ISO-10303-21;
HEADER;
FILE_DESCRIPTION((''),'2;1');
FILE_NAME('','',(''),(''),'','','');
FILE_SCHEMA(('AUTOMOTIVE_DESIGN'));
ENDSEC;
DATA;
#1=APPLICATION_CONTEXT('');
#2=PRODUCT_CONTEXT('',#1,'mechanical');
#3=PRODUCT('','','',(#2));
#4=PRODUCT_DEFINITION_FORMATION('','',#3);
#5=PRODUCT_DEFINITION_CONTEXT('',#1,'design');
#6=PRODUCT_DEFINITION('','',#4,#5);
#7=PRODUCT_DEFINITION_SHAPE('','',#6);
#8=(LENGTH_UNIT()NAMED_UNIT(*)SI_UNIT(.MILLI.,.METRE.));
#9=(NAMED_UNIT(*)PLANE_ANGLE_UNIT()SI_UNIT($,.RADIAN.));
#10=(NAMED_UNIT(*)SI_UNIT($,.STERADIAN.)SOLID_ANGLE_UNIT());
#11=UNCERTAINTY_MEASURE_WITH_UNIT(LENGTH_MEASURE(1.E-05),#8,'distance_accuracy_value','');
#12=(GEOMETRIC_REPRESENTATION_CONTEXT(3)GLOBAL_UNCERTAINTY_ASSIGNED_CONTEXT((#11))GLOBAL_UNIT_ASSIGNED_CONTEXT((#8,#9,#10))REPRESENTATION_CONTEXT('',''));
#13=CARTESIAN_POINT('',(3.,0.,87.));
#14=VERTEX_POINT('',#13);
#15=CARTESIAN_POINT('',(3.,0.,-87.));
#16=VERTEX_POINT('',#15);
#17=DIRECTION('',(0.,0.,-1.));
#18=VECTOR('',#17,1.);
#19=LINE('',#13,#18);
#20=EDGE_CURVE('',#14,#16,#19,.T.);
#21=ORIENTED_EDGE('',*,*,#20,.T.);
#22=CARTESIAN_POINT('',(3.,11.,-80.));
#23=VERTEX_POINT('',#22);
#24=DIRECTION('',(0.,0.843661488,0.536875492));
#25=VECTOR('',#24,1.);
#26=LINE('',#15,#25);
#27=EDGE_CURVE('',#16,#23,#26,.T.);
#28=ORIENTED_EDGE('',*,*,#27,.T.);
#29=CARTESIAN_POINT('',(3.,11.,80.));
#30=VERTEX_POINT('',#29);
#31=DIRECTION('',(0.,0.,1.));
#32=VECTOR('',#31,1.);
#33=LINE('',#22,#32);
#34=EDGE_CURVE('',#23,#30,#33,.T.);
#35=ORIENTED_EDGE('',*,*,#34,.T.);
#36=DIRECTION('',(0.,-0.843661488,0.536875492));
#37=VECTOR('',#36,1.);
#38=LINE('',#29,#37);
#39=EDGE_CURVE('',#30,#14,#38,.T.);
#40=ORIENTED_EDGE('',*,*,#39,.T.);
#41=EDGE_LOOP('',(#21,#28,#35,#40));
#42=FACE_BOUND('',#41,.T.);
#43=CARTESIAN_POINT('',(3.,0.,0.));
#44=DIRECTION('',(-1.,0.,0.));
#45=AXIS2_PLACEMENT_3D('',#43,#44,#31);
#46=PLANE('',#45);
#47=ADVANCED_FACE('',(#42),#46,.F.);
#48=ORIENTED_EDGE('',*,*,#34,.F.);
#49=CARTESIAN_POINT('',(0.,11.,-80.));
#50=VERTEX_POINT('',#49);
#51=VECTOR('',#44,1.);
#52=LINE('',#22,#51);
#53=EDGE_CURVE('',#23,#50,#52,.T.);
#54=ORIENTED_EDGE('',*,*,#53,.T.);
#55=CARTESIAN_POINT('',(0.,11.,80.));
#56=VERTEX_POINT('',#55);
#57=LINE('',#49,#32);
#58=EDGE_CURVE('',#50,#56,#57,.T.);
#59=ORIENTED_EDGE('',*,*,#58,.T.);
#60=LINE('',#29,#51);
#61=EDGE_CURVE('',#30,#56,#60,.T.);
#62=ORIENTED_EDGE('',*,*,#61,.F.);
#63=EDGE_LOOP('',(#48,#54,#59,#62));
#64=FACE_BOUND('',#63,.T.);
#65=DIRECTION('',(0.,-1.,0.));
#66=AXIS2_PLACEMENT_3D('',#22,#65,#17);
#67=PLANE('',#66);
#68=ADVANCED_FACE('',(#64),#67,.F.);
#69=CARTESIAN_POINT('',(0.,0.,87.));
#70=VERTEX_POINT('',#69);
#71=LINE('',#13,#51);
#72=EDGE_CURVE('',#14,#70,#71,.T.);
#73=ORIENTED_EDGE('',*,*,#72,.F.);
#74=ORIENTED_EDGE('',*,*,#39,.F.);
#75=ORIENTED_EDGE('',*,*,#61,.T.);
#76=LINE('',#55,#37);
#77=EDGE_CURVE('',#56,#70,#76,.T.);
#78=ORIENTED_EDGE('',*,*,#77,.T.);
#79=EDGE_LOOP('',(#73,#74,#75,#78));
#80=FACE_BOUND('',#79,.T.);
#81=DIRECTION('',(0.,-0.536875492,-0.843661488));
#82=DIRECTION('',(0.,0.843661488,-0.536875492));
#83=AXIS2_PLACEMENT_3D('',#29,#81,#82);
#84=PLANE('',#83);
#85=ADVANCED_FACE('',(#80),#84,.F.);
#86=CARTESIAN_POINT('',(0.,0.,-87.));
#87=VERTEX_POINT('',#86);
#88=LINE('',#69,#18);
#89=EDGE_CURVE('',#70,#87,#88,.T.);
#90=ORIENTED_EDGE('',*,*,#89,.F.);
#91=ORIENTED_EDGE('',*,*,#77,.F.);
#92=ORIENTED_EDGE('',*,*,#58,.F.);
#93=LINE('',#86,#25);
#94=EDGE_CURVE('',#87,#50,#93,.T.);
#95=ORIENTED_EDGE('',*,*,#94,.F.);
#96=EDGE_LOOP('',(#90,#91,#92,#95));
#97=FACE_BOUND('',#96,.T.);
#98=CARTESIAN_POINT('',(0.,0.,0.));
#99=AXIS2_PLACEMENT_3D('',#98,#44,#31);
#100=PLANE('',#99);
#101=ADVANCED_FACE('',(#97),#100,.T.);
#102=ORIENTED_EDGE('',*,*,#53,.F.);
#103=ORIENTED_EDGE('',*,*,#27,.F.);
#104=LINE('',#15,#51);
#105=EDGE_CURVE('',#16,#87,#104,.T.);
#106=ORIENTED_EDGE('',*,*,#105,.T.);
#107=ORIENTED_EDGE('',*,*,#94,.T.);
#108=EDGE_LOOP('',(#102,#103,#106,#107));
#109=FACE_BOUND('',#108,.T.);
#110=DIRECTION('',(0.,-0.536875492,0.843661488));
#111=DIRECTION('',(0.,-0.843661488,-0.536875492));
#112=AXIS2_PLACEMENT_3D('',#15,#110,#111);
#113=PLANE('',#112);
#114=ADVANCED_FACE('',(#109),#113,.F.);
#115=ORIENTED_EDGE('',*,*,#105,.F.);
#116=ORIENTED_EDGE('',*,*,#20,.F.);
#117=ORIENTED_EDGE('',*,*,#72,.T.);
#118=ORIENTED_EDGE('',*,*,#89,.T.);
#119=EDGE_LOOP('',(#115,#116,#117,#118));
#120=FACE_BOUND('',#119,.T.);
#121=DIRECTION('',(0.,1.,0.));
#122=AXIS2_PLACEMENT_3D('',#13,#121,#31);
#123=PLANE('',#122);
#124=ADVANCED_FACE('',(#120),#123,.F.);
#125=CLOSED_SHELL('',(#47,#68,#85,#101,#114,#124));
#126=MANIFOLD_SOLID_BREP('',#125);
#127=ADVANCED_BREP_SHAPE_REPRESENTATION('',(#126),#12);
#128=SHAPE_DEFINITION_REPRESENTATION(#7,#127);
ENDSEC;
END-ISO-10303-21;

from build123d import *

# Parameters (mm, degrees)
EXTRUDE_1_DEPTH = 3


with BuildPart() as part:
    # Эскиз1 → Бобышка-Вытянуть1 (new body)
    with BuildSketch(Plane(origin=(0, 0, 0), x_dir=(0, 0, -1), z_dir=(1, 0, 0))):
        Polygon((-87, 0), (87, 0), (80, 11), (-80, 11), align=None)
    extrude(amount=EXTRUDE_1_DEPTH)


solid = part.part
